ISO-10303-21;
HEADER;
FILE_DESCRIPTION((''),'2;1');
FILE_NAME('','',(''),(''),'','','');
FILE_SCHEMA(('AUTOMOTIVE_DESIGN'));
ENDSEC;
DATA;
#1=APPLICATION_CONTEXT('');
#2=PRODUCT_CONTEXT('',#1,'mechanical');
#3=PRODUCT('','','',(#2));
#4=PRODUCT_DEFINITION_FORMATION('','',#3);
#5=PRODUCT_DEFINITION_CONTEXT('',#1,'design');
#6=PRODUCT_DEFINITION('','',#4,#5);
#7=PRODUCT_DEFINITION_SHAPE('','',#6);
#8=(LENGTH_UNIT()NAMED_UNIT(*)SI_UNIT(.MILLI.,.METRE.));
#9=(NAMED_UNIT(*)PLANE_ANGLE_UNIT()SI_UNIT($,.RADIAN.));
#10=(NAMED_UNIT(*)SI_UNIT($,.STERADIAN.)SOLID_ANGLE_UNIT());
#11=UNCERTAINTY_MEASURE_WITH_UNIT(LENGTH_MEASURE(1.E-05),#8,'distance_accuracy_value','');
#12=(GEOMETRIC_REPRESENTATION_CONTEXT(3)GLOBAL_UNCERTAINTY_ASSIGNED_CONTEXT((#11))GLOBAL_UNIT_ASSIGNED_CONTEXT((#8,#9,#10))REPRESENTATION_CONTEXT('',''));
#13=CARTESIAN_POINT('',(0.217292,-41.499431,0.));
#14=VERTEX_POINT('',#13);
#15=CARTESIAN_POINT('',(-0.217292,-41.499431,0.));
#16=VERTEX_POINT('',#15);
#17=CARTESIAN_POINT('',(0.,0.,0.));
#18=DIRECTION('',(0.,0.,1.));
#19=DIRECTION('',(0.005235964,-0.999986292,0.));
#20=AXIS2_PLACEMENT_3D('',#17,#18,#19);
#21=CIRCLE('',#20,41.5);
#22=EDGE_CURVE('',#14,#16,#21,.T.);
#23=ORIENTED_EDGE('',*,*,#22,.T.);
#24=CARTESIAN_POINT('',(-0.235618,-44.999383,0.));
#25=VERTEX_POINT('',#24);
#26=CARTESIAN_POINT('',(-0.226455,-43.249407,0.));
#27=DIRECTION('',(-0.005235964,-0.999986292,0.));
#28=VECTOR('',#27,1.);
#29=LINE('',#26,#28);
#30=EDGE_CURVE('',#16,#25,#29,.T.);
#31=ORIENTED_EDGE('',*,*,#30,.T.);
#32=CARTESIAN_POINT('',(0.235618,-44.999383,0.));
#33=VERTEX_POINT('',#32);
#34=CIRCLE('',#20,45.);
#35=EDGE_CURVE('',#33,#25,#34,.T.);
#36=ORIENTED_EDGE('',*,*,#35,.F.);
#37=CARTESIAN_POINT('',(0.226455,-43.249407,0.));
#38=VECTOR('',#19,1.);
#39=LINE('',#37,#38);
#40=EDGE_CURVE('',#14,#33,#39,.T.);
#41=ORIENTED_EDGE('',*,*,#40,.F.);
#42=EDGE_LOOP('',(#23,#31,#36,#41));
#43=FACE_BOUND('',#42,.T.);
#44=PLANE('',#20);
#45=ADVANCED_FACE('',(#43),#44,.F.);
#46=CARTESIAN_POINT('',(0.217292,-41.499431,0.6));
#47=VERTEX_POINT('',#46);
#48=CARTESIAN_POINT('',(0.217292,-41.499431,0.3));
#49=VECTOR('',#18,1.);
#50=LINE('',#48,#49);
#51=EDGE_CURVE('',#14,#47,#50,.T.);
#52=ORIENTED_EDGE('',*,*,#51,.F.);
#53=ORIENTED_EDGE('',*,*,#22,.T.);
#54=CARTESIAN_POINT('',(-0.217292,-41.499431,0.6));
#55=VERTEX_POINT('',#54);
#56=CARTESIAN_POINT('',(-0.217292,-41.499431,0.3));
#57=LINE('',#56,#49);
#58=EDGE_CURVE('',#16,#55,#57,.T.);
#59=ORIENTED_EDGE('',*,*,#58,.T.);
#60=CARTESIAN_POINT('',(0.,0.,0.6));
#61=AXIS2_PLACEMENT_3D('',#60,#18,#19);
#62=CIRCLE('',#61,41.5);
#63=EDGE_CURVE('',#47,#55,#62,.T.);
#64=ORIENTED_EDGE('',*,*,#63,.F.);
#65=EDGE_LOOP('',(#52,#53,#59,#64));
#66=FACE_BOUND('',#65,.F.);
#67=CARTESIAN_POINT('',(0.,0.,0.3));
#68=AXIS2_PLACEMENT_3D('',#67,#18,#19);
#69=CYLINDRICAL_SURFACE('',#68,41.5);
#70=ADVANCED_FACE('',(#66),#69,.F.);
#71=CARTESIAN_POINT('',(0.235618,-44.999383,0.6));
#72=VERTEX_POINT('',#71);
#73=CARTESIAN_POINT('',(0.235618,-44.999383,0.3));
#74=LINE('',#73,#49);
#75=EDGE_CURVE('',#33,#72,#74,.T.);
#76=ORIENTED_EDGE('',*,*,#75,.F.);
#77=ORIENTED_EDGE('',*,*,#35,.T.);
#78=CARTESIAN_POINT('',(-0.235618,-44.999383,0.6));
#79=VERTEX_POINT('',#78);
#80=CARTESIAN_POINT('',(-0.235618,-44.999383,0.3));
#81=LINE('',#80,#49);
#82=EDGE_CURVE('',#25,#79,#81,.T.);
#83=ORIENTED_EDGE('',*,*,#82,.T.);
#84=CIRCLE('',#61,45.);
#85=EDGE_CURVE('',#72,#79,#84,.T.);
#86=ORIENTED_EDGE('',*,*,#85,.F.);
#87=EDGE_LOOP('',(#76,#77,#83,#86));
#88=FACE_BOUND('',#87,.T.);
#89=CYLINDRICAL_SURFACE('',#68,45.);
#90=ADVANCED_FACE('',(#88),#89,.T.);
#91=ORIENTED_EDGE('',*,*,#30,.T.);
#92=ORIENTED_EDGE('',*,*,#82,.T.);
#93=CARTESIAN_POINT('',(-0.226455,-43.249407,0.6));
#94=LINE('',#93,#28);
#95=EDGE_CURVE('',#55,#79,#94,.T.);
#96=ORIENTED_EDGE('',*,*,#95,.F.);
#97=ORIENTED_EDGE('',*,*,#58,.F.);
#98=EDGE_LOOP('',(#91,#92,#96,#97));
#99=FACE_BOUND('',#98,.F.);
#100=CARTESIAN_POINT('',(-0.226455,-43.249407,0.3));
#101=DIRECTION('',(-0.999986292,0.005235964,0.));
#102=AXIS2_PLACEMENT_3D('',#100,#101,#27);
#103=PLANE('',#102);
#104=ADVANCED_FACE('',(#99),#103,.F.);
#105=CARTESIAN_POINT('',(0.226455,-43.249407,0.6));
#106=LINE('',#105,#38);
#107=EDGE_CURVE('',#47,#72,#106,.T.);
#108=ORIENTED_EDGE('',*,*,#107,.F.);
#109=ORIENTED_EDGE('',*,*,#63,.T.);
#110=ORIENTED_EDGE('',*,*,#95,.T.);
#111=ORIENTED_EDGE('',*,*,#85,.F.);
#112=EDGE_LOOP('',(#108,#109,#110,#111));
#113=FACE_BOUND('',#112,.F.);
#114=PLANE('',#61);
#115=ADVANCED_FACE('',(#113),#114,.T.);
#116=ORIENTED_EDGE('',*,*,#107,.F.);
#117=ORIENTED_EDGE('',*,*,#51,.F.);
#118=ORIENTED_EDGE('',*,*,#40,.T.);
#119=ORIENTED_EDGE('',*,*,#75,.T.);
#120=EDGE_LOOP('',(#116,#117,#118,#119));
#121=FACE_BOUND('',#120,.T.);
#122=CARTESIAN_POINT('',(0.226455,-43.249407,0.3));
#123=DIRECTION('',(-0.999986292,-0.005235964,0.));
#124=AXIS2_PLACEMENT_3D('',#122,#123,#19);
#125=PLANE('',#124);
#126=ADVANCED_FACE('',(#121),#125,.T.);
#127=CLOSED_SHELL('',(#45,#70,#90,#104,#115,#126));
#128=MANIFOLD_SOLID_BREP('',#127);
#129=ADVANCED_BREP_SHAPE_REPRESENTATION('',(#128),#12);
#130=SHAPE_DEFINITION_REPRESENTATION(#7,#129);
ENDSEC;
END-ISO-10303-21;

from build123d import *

# Parameters (mm, degrees)
F0_W          = 3.5
F0_H          = 0.6
F1_ANGLE_BACK = 179.7
F1_ANGLE      = 359.4


with BuildPart() as f1:
    # F0 (on Right) → F1 (revolve)
    with BuildSketch(Plane.YZ, mode=Mode.PRIVATE) as f1_sk:
        with Locations((43.25, 0.3)):
            Rectangle(F0_W, F0_H)
    revolve(f1_sk.sketch.rotate(Axis((0, 0, 10), (0, 0, 1)), -F1_ANGLE_BACK), axis=Axis((0, 0, 10), (0, 0, 1)), revolution_arc=F1_ANGLE)


solid = f1.part
